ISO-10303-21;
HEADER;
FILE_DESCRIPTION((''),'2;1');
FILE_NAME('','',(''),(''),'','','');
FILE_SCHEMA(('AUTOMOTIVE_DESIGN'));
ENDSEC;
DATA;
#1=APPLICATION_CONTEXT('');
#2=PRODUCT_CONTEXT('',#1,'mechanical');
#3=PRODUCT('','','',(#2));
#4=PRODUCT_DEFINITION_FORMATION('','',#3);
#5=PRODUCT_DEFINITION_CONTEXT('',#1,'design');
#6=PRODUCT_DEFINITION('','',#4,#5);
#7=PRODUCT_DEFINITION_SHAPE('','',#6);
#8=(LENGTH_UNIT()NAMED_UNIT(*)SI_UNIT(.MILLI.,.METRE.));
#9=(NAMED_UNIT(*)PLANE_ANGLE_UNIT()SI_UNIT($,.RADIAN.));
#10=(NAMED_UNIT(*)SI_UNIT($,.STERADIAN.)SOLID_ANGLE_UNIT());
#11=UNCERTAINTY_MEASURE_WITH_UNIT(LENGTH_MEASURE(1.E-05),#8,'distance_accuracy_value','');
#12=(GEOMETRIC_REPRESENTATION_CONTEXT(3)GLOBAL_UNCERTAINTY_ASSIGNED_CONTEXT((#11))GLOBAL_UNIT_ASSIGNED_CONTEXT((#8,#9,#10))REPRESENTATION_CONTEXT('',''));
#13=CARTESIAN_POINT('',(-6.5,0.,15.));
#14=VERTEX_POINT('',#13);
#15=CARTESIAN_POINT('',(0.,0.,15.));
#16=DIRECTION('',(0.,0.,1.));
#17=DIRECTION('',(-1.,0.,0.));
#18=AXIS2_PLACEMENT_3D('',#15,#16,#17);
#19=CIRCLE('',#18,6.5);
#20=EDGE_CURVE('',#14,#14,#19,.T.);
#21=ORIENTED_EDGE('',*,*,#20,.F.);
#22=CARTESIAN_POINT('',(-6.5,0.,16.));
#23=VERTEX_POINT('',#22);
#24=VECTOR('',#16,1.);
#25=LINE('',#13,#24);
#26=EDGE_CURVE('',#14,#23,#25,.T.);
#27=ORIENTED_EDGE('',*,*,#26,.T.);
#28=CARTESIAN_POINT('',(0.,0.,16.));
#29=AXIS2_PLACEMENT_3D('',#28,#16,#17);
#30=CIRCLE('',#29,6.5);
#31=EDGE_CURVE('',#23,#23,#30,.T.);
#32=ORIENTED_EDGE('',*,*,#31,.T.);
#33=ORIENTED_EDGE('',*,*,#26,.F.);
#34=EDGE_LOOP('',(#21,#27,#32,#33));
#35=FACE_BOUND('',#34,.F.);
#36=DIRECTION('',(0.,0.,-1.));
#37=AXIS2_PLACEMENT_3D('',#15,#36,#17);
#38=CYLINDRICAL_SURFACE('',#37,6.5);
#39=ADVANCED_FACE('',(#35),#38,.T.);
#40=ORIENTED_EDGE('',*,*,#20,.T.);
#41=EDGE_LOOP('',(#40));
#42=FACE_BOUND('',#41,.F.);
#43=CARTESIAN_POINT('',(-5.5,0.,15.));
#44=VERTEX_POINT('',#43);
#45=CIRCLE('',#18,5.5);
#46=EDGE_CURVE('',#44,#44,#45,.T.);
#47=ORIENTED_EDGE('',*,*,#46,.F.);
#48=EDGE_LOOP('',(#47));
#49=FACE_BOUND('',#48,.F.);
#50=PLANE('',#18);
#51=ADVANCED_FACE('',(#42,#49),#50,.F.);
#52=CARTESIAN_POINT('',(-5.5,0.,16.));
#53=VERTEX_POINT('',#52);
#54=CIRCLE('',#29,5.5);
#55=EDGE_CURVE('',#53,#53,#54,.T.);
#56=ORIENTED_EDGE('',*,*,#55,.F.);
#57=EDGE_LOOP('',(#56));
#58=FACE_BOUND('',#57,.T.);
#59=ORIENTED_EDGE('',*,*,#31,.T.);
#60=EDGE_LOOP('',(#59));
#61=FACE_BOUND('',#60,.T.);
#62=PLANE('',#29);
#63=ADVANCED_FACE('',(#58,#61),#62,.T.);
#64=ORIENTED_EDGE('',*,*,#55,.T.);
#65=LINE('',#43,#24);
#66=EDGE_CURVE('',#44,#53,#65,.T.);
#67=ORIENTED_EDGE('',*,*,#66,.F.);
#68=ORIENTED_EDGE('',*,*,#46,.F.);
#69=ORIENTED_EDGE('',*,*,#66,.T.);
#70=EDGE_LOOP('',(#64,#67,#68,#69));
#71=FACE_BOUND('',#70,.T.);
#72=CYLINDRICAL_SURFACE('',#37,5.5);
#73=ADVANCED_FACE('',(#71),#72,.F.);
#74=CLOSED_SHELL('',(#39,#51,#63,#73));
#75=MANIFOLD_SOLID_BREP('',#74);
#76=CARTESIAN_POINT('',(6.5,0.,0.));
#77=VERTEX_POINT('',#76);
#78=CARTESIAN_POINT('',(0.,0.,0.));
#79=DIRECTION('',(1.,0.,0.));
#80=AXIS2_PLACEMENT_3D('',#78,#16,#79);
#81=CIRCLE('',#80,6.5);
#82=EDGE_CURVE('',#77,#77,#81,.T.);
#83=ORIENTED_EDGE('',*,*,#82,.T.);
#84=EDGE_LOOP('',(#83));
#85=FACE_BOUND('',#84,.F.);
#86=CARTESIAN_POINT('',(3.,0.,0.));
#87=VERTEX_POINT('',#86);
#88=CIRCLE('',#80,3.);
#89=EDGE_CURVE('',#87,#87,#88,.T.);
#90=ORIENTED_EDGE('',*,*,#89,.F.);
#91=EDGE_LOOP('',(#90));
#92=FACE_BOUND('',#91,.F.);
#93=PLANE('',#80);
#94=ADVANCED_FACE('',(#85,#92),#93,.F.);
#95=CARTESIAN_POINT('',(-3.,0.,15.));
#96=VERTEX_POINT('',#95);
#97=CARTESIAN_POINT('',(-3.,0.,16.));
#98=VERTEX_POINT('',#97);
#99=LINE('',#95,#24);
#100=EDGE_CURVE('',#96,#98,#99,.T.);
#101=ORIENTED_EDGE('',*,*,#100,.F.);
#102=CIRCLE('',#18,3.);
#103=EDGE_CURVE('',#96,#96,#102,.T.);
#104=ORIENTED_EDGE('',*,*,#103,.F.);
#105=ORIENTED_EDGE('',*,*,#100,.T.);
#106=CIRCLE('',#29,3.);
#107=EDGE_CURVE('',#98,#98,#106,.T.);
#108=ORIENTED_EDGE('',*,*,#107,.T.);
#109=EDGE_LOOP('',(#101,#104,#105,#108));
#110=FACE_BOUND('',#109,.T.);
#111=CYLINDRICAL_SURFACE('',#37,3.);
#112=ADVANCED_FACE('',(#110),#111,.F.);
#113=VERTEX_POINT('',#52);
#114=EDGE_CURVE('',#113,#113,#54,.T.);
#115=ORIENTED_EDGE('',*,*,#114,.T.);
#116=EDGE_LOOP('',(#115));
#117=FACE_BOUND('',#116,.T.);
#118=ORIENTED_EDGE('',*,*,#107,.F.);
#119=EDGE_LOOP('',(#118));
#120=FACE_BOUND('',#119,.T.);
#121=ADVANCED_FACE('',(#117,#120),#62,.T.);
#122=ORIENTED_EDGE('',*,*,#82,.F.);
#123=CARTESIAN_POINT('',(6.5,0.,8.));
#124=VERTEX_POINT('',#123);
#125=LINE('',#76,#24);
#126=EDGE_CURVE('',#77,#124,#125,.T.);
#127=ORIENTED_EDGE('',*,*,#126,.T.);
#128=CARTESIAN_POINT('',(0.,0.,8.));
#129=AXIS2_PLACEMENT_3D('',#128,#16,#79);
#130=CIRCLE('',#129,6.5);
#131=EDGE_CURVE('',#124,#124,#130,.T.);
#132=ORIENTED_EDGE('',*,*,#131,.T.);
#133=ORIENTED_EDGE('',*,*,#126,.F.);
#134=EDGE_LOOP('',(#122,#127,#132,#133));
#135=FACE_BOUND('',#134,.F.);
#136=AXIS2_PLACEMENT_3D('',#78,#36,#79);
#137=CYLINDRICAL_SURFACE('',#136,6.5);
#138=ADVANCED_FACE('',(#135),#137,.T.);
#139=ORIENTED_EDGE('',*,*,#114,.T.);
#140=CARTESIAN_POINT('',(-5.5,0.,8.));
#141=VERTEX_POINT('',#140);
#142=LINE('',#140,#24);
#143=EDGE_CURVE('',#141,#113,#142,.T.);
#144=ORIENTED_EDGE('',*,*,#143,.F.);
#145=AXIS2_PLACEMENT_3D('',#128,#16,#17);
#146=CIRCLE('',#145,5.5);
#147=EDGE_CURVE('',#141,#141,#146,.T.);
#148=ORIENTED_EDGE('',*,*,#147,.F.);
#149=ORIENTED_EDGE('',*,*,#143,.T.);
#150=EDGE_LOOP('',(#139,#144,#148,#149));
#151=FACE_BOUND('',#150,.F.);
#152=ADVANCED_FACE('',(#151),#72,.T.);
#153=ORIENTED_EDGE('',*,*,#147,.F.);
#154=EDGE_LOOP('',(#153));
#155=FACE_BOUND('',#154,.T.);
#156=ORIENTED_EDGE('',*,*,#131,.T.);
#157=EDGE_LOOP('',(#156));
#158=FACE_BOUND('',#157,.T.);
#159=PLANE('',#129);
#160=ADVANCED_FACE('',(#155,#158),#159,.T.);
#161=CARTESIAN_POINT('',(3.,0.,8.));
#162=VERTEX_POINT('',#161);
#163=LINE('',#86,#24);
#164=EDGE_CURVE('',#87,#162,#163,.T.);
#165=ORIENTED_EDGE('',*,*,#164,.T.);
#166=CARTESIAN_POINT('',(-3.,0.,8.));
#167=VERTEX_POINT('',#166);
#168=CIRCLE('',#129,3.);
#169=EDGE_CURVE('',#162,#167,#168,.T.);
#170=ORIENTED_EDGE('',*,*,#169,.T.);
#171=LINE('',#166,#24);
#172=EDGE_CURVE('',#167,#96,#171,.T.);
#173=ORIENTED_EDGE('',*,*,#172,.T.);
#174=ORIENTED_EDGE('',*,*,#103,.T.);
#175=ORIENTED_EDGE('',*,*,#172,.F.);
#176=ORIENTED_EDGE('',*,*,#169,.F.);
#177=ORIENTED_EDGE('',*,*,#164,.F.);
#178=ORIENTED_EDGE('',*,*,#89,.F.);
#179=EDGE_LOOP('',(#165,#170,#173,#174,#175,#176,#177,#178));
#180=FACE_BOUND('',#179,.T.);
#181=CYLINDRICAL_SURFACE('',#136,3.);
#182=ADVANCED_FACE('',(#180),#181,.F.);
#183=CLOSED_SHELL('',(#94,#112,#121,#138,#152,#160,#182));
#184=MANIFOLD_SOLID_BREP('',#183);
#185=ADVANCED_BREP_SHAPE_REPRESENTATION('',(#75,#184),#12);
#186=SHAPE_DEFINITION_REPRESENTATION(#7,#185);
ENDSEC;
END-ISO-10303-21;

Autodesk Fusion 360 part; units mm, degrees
sketch "Skizze1" plane through (0, 0, 0) normal (0, 0, 1) x (1, 0, 0)
  circle A0 centre (0, 0) radius 6.5
  circle A1 centre (0, 0) radius 3
  dimension "d1" = 13
  dimension "d2" = 6
extrude "Extrusion1" add sketch "Skizze1" along normal blind 8 makes body 1
sketch "Skizze2" plane through (0, 0, 8) normal (0, 0, 1) x (-1, 0, 0)
  circle A0 centre (0, 0) radius 3
  circle A1 centre (0, 0) radius 6.5
  circle A2 centre (0, 0) radius 5.5
  dimension "d5" = 11
extrude "Extrusion2" add sketch "Skizze2" along normal blind 7 contours A2 bodies 1
sketch "Skizze3" plane through (0, 0, 15) normal (0, 0, 1) x (-1, 0, 0)
  circle A0 centre (0, 0) radius 3
  circle A1 centre (0, 0) radius 5.5
  circle A2 centre (0, 0) radius 6.5
  dimension "d8" = 13
extrude "Extrusion4" add sketch "Skizze3" along normal blind 1 separate body contours A2 makes body 2
extrude "Extrusion3" add sketch "Skizze3" along normal blind 1 contours A1 bodies 1
